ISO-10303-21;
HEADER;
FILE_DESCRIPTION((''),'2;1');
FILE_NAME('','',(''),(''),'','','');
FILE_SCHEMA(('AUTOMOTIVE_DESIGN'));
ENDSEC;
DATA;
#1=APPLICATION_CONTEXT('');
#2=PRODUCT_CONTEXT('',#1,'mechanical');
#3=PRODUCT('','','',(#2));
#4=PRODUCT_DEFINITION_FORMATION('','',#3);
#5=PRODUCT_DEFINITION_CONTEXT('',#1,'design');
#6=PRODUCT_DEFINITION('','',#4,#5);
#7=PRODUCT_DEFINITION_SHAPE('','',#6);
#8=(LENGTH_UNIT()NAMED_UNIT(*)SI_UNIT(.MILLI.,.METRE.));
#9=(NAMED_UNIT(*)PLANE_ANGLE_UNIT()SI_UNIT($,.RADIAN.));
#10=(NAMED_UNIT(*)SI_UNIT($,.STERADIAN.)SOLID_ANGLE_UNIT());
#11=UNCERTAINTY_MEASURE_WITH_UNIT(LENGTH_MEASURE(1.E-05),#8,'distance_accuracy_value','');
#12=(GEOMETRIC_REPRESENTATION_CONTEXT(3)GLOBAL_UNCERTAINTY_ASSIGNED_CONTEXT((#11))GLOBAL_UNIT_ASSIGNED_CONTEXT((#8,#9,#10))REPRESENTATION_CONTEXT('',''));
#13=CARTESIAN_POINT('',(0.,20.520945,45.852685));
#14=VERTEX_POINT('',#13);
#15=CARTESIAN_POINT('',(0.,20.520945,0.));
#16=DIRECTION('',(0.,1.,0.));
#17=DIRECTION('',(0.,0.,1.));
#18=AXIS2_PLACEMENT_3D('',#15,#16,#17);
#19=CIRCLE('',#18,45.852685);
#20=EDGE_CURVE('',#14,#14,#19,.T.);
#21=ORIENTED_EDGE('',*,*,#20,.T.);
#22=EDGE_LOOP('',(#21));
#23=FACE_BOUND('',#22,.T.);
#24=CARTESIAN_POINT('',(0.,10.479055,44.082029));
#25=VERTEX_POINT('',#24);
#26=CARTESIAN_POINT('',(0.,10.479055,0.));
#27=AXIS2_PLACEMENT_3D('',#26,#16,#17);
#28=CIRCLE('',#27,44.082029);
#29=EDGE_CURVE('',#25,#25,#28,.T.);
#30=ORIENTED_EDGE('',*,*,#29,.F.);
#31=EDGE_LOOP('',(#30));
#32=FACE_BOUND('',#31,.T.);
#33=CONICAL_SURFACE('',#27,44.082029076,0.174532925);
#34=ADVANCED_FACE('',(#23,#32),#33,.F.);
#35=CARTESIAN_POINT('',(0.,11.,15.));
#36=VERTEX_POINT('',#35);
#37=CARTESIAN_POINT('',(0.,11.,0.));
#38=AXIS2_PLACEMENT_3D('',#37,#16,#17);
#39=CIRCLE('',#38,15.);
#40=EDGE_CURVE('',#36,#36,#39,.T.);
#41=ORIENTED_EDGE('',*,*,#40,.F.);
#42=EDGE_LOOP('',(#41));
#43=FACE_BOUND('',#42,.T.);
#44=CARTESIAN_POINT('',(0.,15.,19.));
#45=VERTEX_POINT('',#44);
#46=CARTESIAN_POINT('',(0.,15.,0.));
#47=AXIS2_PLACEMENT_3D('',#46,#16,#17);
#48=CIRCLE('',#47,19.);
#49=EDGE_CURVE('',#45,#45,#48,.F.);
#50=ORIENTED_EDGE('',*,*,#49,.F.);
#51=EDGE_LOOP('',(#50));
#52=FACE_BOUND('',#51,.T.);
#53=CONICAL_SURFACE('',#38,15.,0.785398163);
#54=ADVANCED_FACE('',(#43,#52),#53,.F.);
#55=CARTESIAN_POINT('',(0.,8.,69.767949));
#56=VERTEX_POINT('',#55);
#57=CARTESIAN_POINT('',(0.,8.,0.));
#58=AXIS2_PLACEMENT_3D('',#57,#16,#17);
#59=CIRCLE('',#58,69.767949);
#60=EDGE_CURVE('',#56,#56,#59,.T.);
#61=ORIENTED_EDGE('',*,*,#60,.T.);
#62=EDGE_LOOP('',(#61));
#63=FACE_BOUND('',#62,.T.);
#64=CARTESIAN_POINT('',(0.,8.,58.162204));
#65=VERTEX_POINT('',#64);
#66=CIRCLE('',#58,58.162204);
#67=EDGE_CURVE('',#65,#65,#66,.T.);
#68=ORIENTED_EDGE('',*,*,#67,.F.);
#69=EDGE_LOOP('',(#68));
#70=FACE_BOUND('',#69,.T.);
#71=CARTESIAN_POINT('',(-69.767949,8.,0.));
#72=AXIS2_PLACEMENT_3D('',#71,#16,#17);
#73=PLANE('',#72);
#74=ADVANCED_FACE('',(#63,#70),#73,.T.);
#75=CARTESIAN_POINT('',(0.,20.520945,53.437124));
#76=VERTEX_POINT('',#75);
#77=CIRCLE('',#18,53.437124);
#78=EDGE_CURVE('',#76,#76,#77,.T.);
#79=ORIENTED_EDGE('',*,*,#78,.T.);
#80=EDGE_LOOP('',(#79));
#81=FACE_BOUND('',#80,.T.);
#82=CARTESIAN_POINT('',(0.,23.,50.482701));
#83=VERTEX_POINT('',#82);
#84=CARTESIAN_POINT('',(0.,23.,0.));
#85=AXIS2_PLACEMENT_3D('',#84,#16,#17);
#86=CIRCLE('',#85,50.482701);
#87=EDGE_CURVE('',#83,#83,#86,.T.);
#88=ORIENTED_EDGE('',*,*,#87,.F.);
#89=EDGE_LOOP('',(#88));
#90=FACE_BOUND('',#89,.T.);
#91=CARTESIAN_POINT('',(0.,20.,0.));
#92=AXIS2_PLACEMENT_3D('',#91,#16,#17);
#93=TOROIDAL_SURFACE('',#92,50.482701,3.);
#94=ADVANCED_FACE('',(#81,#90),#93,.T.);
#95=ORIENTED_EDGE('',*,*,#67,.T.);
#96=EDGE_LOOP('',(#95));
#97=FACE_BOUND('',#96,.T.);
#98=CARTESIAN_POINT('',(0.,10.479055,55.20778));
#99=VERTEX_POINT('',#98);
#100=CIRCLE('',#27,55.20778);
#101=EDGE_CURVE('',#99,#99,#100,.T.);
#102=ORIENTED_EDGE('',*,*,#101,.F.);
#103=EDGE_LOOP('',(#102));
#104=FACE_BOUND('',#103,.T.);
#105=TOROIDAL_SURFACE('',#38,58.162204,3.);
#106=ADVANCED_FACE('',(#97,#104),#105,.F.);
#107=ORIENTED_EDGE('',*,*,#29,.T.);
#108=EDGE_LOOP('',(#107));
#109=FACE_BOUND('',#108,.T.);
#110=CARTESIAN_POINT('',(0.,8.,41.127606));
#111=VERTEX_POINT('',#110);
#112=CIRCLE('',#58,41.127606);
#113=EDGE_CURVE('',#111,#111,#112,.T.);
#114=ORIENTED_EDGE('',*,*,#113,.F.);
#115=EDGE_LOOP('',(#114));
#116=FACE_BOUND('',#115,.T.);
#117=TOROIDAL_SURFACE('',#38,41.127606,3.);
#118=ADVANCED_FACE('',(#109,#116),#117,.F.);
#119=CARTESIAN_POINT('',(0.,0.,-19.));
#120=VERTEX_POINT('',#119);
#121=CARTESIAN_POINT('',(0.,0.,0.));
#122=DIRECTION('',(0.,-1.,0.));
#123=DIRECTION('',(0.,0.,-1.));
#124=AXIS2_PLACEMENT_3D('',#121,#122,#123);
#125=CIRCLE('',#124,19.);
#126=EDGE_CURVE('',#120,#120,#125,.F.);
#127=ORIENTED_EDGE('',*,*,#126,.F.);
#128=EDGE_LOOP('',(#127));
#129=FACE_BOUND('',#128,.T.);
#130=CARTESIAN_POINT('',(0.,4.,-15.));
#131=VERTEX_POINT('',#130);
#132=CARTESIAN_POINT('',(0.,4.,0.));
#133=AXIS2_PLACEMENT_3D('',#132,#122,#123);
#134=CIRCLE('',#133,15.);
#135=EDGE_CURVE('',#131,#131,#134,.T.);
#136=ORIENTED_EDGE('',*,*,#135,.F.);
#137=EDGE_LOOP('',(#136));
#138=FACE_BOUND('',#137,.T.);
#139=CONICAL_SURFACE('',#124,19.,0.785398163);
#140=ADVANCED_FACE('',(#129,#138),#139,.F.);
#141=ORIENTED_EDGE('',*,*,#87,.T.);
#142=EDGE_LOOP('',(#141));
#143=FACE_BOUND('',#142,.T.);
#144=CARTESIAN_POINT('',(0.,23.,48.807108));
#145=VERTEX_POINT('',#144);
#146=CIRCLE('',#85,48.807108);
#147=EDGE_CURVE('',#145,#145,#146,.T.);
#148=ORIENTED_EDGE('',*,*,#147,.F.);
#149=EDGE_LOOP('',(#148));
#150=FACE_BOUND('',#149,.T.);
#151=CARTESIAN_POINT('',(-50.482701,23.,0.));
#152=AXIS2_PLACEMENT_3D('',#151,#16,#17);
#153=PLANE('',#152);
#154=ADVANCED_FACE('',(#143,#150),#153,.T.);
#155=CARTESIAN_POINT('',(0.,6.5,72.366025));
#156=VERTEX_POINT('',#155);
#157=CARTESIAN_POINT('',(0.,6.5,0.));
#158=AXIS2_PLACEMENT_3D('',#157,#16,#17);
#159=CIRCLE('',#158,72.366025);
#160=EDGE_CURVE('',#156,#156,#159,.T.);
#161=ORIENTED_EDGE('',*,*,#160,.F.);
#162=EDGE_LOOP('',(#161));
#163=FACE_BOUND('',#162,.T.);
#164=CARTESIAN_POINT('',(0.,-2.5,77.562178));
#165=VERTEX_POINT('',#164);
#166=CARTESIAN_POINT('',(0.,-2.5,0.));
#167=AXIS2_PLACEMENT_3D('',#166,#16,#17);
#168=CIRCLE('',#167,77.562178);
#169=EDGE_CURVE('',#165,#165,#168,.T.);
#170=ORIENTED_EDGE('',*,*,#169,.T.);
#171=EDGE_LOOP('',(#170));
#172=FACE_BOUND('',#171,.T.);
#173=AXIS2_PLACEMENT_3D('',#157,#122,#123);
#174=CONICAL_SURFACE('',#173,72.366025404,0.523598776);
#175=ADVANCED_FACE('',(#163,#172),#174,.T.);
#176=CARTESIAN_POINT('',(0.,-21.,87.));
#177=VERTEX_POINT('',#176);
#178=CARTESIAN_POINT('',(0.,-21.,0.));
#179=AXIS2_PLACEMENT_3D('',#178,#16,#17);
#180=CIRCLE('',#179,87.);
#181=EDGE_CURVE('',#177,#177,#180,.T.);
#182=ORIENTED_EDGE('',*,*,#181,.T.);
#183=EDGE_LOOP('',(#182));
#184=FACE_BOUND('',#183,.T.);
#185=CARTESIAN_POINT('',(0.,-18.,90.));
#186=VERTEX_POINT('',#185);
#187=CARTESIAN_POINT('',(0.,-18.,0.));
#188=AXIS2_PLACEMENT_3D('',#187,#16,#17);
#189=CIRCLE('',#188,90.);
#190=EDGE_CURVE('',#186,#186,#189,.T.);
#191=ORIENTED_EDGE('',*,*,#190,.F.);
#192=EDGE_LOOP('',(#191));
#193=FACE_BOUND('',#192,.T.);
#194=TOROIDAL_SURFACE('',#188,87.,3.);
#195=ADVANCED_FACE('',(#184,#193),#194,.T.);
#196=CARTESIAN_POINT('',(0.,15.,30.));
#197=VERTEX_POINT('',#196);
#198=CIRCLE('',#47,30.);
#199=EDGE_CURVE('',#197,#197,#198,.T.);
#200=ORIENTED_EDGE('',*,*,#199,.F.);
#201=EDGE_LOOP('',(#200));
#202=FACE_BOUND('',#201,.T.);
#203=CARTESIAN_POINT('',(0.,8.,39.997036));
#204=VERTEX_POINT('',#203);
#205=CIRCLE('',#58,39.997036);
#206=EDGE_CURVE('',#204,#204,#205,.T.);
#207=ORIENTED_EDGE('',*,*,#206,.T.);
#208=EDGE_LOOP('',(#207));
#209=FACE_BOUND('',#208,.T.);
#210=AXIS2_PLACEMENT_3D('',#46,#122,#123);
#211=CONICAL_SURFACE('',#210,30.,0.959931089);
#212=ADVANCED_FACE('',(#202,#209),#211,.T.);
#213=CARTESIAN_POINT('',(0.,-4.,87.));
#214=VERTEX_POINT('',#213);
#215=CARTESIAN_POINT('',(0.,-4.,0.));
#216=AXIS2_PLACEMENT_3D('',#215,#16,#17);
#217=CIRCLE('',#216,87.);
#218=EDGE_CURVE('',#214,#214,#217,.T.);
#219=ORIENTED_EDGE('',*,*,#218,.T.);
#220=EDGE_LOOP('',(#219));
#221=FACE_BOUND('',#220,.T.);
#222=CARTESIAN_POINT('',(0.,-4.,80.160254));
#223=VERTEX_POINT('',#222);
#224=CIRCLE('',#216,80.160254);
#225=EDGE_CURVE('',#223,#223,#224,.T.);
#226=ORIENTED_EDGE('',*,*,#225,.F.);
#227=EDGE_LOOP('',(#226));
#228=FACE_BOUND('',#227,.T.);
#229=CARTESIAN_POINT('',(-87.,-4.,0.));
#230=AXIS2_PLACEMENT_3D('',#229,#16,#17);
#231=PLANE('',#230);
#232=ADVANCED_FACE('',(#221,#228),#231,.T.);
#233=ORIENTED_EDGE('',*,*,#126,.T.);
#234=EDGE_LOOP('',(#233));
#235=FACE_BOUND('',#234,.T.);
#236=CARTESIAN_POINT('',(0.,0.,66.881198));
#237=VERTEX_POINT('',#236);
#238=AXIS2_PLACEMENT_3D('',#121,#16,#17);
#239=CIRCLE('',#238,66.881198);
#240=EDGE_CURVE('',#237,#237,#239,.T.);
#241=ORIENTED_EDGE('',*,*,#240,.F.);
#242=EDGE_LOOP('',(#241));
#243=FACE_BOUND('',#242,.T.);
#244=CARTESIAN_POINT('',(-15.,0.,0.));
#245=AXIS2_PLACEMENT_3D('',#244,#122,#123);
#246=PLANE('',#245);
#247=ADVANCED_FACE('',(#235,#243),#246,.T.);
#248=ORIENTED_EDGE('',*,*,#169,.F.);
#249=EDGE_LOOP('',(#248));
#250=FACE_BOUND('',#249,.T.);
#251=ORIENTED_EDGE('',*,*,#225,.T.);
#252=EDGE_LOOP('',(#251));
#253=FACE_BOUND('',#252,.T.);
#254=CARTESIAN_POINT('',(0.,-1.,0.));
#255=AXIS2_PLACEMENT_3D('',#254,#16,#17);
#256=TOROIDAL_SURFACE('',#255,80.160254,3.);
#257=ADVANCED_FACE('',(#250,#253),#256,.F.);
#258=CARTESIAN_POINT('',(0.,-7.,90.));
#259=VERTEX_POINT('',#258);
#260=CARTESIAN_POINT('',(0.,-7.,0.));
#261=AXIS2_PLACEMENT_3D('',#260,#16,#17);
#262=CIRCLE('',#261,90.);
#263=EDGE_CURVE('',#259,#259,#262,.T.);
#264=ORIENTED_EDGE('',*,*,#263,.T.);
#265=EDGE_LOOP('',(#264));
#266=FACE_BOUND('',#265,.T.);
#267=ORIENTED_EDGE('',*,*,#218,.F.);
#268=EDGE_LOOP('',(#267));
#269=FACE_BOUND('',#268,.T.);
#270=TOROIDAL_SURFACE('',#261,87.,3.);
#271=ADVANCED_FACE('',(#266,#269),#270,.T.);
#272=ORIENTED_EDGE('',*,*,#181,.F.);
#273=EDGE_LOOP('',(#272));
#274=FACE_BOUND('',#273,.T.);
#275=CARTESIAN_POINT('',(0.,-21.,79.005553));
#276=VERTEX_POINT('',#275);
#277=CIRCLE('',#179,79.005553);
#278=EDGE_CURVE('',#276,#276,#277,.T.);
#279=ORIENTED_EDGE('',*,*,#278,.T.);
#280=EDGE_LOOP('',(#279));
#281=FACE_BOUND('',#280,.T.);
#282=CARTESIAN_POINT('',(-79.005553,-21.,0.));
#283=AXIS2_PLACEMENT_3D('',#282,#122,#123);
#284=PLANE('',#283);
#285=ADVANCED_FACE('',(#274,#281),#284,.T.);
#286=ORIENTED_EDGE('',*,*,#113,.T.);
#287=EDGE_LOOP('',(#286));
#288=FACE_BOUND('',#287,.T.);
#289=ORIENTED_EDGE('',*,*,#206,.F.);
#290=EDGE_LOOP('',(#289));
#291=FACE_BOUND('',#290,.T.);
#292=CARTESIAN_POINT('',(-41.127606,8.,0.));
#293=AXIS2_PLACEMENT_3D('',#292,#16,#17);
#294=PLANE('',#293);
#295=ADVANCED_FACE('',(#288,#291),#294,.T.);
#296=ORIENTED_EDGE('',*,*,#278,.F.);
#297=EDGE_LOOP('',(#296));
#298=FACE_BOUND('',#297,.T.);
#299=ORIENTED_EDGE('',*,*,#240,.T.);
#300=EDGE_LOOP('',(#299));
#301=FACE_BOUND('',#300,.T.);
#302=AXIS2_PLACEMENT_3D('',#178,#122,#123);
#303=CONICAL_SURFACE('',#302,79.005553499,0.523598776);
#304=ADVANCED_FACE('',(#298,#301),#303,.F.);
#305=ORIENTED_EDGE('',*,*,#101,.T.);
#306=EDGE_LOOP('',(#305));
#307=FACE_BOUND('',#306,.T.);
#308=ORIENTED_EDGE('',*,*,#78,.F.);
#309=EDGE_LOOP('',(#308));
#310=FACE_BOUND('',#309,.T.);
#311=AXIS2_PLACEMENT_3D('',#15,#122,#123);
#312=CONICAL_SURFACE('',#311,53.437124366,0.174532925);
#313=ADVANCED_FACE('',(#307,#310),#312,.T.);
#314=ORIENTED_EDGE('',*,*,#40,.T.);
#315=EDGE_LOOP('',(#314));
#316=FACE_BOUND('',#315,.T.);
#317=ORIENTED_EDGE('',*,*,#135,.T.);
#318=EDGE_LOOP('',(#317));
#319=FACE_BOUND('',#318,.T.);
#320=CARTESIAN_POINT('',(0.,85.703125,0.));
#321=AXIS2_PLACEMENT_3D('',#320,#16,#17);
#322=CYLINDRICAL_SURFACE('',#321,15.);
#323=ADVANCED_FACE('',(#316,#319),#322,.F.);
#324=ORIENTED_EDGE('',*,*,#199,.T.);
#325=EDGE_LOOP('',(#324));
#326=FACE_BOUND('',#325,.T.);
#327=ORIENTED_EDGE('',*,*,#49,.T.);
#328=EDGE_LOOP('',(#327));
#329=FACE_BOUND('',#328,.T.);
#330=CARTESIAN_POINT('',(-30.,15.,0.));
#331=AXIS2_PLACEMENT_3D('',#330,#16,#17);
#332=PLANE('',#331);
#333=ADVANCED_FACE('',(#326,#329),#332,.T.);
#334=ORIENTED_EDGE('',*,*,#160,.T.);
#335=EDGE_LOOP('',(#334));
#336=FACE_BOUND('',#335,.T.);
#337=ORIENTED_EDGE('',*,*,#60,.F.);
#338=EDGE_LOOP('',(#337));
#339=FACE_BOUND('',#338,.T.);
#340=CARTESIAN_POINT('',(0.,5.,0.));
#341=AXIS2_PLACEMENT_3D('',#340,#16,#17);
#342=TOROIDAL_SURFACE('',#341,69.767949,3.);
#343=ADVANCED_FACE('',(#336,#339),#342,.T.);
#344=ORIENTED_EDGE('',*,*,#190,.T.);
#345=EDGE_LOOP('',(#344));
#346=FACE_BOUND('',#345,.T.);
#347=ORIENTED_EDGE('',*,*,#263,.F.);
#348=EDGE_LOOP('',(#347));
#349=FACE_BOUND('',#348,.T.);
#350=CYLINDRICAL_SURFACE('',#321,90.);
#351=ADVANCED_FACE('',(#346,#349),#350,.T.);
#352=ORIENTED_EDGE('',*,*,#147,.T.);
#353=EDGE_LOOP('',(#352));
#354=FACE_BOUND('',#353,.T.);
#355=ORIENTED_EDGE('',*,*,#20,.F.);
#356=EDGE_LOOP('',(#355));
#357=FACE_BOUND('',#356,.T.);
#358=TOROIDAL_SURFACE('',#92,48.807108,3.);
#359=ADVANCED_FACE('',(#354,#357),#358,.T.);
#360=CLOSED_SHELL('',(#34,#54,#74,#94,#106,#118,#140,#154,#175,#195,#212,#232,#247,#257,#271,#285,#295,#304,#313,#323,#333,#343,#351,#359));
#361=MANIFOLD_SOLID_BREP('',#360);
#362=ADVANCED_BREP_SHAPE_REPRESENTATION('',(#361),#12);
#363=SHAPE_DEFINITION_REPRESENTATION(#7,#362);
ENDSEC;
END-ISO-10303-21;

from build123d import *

# Parameters (mm, degrees)
CHAMFER_2_SIZE = 4


with BuildPart() as part:
    # 草图1 → 旋转1 (revolve)
    with BuildSketch(Plane.XY, mode=Mode.PRIVATE) as revolve_1_sk:
        with BuildLine():
            Line((-15, 15), (-15, 0))
            Line((-15, 0), (-66.881197846, 0))
            Line((-66.881197846, 0), (-79.005553499, -21))
            Line((-79.005553499, -21), (-87, -21))
            ThreePointArc((-87, -21), (-89.121320344, -20.121320344), (-90, -18))
            Line((-90, -18), (-90, -7))
            ThreePointArc((-90, -7), (-89.121320344, -4.878679656), (-87, -4))
            Line((-87, -4), (-80.160254038, -4))
            ThreePointArc((-80.160254038, -4), (-78.660254038, -3.598076211), (-77.562177826, -2.5))
            Line((-77.562177826, -2.5), (-72.366025404, 6.5))
            ThreePointArc((-72.366025404, 6.5), (-71.267949192, 7.598076211), (-69.767949192, 8))
            Line((-69.767949192, 8), (-58.162203604, 8))
            ThreePointArc((-58.162203604, 8), (-56.233840775, 8.701866671), (-55.207780345, 10.479055467))
            Line((-55.207780345, 10.479055467), (-53.437124366, 20.520944533))
            ThreePointArc((-53.437124366, 20.520944533), (-52.411063936, 22.298133329), (-50.482701106, 23))
            Line((-50.482701106, 23), (-48.807108315, 23))
            ThreePointArc((-48.807108315, 23), (-46.878745486, 22.298133329), (-45.852685056, 20.520944533))
            Line((-45.852685056, 20.520944533), (-44.082029076, 10.479055467))
            ThreePointArc((-44.082029076, 10.479055467), (-43.055968646, 8.701866671), (-41.127605817, 8))
            Line((-41.127605817, 8), (-39.997036047, 8))
            Line((-39.997036047, 8), (-30, 15))
            Line((-30, 15), (-15, 15))
        make_face()
    revolve(revolve_1_sk.sketch.rotate(Axis((0, 85.703125, 0), (0, -1, 0)), 270), axis=Axis((0, 85.703125, 0), (0, -1, 0)))

    # 倒角2
    chamfer_2_edges = [part.edges().sort_by_distance(p)[0] for p in [
        (0, 0, -15),
        (0, 15, -15),
    ]]
    chamfer(chamfer_2_edges, length=CHAMFER_2_SIZE)


solid = part.part
